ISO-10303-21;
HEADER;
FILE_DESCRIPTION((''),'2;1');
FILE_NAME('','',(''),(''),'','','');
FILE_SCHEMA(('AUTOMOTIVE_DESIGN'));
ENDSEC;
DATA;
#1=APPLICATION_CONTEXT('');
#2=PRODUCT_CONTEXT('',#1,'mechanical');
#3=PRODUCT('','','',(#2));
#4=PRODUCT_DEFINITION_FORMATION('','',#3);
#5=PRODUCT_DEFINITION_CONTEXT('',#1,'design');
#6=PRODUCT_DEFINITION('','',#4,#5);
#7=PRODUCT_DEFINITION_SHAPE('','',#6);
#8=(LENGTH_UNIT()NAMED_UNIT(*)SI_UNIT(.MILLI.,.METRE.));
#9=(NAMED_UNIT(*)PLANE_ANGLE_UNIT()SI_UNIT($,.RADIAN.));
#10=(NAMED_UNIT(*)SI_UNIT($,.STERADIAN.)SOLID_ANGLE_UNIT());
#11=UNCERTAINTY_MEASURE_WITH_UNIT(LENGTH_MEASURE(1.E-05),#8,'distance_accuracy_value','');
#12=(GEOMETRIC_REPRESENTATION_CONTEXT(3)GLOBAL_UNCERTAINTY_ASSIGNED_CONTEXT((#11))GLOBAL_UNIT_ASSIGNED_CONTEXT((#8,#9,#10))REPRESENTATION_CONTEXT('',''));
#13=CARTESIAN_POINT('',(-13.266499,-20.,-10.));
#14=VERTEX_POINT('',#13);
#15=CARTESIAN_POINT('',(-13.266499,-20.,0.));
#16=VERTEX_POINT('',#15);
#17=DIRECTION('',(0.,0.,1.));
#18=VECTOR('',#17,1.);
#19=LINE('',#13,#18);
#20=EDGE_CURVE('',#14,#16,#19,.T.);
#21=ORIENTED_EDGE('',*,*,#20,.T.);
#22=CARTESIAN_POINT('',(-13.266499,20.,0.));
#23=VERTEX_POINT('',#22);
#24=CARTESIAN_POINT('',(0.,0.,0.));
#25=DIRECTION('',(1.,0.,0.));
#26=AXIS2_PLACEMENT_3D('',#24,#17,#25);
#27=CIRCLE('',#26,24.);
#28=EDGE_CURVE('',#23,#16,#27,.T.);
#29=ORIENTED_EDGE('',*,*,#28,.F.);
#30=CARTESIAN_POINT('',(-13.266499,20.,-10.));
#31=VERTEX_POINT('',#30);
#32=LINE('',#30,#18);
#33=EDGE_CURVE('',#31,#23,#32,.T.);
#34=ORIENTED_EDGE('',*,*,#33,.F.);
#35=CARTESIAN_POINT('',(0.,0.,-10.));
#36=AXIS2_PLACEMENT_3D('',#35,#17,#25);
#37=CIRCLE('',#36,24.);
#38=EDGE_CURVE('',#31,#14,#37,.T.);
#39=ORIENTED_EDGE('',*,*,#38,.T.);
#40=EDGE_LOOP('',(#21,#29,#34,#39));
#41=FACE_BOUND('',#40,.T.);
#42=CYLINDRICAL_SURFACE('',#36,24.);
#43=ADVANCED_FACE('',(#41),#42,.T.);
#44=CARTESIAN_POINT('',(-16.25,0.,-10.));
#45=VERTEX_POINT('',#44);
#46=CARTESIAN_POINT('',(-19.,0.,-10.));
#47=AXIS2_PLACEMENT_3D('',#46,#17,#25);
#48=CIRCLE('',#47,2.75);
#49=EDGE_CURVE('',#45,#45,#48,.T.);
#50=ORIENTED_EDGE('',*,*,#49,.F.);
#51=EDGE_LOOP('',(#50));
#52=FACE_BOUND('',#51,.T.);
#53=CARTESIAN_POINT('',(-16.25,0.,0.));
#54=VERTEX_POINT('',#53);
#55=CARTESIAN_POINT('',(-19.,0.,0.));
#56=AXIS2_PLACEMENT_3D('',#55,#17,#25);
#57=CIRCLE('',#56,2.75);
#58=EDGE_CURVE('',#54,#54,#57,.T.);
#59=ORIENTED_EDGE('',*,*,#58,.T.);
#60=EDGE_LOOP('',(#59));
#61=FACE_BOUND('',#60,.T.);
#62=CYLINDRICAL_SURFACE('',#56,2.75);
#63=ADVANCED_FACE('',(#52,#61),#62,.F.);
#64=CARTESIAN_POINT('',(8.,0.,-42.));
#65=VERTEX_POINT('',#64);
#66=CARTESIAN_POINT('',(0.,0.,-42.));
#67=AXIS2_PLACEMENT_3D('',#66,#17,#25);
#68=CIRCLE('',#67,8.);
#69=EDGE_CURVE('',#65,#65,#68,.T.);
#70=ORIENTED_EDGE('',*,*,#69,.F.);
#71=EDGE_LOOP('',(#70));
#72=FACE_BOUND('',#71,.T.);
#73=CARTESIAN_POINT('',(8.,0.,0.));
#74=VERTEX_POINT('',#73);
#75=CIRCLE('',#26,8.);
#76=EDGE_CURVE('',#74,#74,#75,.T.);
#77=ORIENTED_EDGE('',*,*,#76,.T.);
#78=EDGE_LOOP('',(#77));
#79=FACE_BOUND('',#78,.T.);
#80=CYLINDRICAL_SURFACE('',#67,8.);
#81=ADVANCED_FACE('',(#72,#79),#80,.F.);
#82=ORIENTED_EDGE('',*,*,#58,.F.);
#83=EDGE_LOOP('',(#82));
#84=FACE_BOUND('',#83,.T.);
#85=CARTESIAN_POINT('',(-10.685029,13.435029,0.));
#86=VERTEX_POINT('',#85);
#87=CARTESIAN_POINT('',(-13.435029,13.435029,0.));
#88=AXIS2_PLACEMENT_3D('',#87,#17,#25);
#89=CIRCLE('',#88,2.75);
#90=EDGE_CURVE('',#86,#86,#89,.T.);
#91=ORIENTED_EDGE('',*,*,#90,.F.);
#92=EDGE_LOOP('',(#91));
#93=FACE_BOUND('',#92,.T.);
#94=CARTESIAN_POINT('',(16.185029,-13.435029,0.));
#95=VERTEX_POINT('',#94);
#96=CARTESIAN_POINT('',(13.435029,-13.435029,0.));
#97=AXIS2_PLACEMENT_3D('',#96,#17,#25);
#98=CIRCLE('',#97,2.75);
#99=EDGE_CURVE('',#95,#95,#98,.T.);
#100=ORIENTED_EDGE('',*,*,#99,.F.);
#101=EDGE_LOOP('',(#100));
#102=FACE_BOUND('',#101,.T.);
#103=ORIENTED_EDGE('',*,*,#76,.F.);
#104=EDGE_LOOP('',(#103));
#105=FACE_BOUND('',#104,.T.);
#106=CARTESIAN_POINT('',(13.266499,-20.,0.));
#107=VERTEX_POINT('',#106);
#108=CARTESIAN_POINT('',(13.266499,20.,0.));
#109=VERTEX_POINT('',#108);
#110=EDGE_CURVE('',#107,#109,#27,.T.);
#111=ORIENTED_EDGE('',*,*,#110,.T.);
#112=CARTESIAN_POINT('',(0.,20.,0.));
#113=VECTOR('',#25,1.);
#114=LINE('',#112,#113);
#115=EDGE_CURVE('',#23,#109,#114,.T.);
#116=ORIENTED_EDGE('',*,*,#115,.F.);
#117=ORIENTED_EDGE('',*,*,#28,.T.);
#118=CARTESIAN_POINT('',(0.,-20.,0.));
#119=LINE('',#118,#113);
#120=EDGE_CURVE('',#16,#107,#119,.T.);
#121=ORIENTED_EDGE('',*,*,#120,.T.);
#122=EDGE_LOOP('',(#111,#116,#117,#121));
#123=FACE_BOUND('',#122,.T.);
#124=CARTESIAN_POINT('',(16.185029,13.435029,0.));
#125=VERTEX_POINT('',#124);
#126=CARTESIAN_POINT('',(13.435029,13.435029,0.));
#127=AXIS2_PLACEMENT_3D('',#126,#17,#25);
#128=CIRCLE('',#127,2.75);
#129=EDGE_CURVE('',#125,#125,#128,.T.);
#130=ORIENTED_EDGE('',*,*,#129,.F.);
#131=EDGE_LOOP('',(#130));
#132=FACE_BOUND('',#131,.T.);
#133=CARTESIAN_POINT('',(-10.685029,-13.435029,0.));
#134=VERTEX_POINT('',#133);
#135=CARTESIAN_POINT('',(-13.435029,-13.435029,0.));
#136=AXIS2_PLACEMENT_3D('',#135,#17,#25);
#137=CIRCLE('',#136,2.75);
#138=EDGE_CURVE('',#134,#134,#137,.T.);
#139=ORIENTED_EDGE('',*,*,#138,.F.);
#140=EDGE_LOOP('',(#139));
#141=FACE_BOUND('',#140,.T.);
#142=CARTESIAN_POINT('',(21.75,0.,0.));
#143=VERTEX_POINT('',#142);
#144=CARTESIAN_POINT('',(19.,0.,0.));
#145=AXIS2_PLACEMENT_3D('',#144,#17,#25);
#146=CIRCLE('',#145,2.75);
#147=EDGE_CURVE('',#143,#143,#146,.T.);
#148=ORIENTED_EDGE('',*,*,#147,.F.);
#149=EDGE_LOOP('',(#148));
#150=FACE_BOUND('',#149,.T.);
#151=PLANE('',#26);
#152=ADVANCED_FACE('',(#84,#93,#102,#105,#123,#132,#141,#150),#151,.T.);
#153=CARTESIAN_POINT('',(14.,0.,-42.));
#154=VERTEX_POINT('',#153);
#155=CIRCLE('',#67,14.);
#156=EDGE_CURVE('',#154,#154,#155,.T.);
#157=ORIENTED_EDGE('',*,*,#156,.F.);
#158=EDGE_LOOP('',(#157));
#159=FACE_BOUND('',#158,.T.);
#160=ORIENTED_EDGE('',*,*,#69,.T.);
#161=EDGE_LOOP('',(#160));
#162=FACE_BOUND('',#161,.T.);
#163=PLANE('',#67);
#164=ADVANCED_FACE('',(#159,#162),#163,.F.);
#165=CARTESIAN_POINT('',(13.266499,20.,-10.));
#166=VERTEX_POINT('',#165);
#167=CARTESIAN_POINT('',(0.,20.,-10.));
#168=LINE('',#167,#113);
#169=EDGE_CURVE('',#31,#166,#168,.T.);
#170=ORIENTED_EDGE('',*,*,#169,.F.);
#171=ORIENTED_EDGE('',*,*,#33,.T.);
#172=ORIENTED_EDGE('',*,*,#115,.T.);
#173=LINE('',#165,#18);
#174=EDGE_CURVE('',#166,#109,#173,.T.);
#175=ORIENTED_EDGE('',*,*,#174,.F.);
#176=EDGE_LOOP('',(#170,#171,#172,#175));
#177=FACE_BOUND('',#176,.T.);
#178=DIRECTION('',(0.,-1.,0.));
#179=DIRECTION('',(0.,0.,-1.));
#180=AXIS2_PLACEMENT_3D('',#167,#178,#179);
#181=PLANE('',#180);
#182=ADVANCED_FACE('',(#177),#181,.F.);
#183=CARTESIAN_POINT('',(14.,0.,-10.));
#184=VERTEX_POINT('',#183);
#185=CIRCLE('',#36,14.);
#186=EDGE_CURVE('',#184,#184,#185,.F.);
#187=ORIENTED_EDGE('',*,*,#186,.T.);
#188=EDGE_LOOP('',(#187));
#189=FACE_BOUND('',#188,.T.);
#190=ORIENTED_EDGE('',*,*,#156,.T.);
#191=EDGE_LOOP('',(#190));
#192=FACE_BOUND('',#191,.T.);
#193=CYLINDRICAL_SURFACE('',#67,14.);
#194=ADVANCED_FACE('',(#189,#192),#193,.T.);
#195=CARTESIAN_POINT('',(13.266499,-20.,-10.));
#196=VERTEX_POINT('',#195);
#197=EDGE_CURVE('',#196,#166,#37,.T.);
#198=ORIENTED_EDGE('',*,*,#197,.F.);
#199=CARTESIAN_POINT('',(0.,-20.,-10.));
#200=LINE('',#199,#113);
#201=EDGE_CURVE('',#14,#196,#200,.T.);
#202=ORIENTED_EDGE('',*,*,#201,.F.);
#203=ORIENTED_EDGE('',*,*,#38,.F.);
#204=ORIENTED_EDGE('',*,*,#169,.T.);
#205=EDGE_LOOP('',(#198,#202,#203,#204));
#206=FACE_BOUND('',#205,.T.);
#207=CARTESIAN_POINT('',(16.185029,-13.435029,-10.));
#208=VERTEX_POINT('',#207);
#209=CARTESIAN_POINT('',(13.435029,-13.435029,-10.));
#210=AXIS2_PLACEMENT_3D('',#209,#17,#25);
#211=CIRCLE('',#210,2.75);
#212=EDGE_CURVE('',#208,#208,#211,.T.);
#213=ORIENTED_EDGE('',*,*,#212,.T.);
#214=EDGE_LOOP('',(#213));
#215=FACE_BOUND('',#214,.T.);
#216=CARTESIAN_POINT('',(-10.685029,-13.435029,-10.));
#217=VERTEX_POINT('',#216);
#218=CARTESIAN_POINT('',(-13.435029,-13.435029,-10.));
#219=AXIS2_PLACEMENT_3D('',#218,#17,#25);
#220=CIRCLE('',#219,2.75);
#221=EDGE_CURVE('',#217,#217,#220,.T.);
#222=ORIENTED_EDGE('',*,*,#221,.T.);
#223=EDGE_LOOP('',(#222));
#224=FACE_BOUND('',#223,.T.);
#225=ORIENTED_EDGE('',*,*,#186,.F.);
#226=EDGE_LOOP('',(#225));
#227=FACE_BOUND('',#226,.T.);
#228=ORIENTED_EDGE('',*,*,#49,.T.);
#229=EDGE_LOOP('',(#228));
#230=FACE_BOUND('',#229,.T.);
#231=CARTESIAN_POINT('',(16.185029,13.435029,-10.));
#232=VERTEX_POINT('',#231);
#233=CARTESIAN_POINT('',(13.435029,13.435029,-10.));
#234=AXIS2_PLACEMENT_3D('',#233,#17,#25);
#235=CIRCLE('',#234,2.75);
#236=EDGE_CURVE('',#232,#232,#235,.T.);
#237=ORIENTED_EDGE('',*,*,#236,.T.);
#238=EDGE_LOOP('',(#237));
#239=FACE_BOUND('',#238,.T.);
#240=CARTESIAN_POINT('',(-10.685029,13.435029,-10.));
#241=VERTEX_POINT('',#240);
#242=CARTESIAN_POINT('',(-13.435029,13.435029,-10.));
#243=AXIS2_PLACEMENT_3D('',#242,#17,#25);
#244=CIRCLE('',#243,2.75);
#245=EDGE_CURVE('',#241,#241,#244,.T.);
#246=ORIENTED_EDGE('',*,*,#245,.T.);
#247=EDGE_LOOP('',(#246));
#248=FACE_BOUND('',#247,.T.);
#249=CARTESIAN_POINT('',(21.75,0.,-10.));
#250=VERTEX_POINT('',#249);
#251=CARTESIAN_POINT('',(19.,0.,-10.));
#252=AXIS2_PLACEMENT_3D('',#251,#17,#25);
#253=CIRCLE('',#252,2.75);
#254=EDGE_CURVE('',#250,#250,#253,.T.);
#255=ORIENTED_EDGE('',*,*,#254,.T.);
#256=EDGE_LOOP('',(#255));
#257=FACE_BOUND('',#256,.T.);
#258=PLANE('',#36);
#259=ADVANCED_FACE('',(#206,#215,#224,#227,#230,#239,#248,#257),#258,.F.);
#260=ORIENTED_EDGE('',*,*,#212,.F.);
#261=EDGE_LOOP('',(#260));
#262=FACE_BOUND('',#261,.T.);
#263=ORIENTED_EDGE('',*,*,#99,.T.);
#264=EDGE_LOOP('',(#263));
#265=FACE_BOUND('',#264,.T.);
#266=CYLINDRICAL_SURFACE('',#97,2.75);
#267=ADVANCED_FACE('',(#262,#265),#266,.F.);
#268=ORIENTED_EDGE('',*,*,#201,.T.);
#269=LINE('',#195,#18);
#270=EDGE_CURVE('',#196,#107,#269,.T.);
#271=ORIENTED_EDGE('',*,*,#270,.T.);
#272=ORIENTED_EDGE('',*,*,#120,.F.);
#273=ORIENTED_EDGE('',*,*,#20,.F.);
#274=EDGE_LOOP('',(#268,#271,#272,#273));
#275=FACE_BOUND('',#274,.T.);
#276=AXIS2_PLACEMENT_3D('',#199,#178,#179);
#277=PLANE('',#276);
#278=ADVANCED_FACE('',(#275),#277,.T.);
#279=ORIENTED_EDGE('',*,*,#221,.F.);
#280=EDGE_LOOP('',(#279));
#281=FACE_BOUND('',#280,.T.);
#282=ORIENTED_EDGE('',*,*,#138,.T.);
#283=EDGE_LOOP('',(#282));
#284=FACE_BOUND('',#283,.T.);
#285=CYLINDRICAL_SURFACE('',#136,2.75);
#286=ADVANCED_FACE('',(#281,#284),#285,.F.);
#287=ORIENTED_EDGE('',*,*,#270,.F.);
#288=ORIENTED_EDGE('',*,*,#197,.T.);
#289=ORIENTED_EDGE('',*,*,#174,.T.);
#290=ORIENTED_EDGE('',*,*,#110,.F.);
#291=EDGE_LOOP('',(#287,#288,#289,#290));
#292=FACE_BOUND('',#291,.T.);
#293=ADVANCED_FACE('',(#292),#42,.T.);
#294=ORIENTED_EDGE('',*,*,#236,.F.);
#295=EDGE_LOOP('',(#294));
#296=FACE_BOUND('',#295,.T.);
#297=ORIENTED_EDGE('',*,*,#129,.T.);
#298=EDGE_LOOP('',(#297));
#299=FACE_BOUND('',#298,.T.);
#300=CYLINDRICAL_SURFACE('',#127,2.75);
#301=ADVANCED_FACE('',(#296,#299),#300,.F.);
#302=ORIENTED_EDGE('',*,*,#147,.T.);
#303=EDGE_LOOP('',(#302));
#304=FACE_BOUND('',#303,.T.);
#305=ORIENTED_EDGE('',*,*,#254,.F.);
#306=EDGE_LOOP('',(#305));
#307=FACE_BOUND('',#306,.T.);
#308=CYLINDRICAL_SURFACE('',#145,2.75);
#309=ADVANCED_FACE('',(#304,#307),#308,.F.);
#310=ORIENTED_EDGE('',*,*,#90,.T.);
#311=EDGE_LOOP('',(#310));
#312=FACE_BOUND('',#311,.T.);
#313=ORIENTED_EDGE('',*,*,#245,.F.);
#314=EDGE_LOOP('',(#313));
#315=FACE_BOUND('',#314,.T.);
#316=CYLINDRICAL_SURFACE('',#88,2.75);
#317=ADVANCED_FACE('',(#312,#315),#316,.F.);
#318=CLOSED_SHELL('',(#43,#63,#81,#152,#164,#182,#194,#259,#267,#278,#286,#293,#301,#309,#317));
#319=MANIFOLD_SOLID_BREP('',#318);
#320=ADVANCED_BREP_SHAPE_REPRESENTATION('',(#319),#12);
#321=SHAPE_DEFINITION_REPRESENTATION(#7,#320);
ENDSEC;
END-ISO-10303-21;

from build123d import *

# Parameters (mm, degrees)
SKETCH1_R            = 14
SKETCH1_R_2          = 8
BOSS_EXTRUDE1_DEPTH  = 42
SKETCH2_R            = 8
BOSS_EXTRUDE2_DEPTH  = 10
M5_CLEARANCE_HOLE1_D = 5.5


with BuildPart() as part:
    # Sketch1 → Boss-Extrude1 (new body)
    with BuildSketch(Plane.XY):
        Circle(SKETCH1_R)
        Circle(SKETCH1_R_2, mode=Mode.SUBTRACT)
    extrude(amount=-BOSS_EXTRUDE1_DEPTH)

    # Sketch2 → Boss-Extrude2 (add)
    with BuildSketch(Plane.XY):
        with BuildLine():
            Line((13.266499161, 20), (-13.266499161, 20))
            ThreePointArc((-13.266499161, 20), (-24, 0), (-13.266499161, -20))
            Line((-13.266499161, -20), (13.266499161, -20))
            ThreePointArc((13.266499161, -20), (21.147056295, -11.349097324), (24, 0))
            ThreePointArc((24, 0), (21.147056295, 11.349097324), (13.266499161, 20))
        make_face()
        Circle(SKETCH2_R, mode=Mode.SUBTRACT)
    extrude(amount=-BOSS_EXTRUDE2_DEPTH)

    # M5 Clearance Hole1 (through all)
    with Locations(Plane.XY):
        with Locations((-19, 0), (-13.435028843, 13.435028843), (13.435028843, -13.435028843), (0, 0), (13.435028843, 13.435028843), (-13.435028843, -13.435028843), (19, 0)):
            Hole(M5_CLEARANCE_HOLE1_D / 2)


solid = part.part
